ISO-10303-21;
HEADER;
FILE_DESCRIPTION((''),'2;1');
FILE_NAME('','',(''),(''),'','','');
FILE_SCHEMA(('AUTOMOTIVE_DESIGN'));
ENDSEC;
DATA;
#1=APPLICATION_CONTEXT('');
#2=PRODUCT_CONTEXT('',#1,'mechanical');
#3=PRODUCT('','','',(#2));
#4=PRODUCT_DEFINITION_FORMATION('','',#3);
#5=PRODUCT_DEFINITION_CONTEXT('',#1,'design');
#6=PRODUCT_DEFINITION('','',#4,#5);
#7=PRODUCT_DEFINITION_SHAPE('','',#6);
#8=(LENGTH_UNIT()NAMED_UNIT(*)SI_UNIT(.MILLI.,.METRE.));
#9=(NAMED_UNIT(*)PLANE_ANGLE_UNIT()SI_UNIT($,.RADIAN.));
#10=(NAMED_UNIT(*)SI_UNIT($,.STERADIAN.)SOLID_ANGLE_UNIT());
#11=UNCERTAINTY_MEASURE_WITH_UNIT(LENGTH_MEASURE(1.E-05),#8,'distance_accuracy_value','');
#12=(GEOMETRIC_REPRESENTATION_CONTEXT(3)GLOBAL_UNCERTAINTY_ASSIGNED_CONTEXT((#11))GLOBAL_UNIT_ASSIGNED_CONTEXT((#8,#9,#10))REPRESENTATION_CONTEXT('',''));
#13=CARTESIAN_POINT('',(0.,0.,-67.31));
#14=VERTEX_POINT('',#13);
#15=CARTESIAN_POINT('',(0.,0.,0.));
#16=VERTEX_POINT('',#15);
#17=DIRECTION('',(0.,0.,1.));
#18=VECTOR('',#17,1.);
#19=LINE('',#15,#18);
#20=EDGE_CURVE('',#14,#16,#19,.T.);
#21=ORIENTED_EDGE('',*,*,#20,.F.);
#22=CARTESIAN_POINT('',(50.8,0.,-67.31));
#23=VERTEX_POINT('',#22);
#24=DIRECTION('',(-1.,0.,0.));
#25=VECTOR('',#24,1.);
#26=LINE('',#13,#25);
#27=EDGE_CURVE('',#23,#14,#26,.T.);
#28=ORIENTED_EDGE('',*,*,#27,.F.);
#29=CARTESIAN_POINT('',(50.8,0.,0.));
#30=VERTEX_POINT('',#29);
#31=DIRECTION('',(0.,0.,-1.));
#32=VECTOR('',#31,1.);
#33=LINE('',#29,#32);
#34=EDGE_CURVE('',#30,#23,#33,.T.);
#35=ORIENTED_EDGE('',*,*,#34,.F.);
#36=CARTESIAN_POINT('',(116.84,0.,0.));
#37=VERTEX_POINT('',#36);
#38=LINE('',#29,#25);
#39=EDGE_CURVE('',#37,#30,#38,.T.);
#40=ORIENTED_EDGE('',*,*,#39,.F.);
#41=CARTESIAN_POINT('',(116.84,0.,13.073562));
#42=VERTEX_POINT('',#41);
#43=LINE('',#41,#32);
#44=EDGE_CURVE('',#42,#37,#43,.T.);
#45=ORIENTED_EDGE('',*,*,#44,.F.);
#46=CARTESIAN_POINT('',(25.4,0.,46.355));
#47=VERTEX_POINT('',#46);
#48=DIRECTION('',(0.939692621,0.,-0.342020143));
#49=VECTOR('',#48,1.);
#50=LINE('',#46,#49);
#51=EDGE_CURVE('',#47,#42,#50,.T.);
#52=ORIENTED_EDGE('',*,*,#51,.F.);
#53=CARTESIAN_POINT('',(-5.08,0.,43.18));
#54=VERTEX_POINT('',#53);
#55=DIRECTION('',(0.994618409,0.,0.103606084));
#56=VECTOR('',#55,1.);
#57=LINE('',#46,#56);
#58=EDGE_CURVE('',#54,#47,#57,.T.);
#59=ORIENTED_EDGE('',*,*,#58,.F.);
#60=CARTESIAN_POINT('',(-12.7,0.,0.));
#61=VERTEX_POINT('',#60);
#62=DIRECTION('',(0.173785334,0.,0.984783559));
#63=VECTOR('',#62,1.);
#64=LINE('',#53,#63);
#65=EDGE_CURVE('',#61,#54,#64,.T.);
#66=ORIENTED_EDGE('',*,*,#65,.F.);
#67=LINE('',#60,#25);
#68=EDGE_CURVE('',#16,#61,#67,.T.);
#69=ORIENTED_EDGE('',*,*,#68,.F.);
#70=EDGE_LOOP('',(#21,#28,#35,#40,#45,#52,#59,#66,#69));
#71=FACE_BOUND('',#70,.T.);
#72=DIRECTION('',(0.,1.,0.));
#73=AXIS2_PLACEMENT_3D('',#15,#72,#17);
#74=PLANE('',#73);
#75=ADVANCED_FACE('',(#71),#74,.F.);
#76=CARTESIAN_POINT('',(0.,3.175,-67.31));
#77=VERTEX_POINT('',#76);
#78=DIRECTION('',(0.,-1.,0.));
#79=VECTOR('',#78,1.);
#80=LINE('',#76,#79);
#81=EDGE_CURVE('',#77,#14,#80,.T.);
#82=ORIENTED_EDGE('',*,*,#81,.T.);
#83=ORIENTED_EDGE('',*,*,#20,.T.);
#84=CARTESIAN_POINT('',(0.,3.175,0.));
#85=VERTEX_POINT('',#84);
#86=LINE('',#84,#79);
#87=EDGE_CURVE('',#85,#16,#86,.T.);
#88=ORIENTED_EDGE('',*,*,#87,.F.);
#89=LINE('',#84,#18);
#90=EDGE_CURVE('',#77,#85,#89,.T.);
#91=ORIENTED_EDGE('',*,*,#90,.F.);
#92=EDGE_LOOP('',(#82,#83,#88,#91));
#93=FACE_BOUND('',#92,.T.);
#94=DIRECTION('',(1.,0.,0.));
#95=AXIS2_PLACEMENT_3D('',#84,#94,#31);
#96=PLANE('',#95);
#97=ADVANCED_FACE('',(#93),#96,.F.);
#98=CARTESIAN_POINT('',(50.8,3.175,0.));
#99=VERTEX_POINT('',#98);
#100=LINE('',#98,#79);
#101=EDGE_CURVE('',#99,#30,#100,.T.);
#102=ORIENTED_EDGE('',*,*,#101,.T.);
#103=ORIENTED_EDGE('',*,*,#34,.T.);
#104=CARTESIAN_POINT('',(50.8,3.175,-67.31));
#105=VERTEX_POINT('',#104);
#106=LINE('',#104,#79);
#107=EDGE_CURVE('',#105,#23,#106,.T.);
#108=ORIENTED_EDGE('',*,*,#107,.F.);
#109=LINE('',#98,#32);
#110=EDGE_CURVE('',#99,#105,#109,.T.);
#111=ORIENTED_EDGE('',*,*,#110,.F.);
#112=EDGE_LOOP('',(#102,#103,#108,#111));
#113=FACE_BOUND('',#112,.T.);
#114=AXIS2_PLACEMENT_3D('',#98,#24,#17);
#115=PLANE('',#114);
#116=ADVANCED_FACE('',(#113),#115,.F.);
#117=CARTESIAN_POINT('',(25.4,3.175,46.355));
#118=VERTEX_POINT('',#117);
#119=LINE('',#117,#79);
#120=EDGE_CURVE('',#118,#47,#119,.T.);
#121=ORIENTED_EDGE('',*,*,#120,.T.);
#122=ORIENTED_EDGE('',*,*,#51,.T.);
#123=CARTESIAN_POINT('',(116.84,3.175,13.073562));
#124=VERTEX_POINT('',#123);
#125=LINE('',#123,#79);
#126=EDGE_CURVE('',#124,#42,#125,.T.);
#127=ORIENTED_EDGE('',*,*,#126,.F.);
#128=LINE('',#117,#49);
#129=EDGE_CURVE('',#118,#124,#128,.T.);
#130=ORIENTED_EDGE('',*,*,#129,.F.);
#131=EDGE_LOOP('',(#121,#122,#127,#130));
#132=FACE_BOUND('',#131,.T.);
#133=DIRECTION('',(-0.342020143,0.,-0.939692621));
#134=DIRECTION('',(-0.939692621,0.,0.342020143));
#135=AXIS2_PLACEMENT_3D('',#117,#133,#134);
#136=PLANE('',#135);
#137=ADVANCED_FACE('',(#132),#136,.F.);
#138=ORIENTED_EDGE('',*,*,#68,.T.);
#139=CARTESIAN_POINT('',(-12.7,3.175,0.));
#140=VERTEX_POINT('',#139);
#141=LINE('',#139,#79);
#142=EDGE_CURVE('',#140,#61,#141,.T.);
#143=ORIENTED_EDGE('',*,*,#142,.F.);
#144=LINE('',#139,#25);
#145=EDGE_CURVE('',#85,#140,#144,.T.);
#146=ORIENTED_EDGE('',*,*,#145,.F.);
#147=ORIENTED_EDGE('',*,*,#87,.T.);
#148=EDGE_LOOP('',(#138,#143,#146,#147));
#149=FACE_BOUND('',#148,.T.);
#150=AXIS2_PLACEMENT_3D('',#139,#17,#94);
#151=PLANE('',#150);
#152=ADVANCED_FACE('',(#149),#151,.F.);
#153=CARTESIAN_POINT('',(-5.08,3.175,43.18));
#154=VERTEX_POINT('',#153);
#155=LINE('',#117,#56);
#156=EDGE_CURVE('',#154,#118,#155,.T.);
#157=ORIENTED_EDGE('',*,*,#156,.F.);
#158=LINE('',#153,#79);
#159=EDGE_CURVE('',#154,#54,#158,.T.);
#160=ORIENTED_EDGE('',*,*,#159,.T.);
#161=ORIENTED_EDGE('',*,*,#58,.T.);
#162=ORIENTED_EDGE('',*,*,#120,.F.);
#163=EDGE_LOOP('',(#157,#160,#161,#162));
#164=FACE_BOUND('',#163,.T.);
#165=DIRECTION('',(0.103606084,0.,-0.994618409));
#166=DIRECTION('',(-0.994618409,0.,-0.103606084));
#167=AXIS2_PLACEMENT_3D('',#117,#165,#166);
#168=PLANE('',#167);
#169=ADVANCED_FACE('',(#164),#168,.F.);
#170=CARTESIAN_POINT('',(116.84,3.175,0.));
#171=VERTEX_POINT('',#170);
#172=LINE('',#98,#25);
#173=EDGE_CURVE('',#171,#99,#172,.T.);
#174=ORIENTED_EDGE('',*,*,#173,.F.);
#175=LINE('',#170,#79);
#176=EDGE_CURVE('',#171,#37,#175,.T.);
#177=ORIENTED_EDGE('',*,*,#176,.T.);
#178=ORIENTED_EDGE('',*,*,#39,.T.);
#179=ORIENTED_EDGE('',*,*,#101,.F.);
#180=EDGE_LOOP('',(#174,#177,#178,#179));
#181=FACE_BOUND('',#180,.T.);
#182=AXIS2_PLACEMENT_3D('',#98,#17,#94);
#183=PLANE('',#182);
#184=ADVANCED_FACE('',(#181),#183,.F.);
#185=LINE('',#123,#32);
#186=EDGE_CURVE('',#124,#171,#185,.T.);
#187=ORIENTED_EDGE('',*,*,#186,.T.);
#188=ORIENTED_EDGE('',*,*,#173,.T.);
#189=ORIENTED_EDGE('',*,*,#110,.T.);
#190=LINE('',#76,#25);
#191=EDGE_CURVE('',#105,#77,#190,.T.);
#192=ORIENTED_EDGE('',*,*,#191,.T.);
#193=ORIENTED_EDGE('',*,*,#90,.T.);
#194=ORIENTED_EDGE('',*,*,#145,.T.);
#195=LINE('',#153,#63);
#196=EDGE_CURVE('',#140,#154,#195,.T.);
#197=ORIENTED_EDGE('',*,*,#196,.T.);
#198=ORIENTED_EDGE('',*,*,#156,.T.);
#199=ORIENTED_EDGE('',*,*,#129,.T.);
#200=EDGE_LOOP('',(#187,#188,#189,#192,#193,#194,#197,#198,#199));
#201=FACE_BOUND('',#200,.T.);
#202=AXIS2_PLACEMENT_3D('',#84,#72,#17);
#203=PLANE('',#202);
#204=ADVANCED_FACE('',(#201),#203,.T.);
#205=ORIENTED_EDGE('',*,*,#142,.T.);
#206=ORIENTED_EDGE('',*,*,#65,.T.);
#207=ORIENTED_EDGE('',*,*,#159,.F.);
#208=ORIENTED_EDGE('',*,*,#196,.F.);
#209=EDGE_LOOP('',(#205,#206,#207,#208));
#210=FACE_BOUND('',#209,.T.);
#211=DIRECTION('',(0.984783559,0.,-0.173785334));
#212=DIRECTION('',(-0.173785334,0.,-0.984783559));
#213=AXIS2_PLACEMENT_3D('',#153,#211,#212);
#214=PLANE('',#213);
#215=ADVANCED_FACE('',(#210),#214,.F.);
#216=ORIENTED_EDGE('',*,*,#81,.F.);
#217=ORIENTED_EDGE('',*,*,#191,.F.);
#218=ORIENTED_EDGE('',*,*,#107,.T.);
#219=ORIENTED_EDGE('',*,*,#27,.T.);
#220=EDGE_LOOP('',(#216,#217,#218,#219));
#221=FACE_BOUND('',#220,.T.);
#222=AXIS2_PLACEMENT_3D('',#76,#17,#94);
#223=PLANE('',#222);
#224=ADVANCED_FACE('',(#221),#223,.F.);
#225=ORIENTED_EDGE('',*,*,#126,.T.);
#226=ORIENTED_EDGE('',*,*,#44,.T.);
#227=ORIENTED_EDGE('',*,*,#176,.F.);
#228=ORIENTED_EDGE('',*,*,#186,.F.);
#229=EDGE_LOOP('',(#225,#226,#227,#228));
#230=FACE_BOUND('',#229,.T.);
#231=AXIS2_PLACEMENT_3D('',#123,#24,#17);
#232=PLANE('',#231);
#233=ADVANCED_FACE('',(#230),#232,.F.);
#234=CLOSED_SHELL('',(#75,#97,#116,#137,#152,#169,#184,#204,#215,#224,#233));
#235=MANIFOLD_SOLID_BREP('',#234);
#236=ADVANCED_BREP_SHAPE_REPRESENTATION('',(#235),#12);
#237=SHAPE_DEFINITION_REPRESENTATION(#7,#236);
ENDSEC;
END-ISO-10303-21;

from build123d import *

# Parameters (mm, degrees)
BOSS_EXTRUDE1_DEPTH = 3.175


with BuildPart() as part:
    # Sketch2 → Boss-Extrude1 (new body)
    with BuildSketch(Plane(origin=(0, 0, 0), x_dir=(1, 0, 0), z_dir=(0, 1, 0))):
        Polygon((50.8, 0), (116.84, 0), (116.84, -13.073561779), (25.4, -46.355), (-5.08, -43.18), (-12.7, 0), (0, 0), (0, 67.31), (50.8, 67.31), align=None)
    extrude(amount=BOSS_EXTRUDE1_DEPTH)


solid = part.part
